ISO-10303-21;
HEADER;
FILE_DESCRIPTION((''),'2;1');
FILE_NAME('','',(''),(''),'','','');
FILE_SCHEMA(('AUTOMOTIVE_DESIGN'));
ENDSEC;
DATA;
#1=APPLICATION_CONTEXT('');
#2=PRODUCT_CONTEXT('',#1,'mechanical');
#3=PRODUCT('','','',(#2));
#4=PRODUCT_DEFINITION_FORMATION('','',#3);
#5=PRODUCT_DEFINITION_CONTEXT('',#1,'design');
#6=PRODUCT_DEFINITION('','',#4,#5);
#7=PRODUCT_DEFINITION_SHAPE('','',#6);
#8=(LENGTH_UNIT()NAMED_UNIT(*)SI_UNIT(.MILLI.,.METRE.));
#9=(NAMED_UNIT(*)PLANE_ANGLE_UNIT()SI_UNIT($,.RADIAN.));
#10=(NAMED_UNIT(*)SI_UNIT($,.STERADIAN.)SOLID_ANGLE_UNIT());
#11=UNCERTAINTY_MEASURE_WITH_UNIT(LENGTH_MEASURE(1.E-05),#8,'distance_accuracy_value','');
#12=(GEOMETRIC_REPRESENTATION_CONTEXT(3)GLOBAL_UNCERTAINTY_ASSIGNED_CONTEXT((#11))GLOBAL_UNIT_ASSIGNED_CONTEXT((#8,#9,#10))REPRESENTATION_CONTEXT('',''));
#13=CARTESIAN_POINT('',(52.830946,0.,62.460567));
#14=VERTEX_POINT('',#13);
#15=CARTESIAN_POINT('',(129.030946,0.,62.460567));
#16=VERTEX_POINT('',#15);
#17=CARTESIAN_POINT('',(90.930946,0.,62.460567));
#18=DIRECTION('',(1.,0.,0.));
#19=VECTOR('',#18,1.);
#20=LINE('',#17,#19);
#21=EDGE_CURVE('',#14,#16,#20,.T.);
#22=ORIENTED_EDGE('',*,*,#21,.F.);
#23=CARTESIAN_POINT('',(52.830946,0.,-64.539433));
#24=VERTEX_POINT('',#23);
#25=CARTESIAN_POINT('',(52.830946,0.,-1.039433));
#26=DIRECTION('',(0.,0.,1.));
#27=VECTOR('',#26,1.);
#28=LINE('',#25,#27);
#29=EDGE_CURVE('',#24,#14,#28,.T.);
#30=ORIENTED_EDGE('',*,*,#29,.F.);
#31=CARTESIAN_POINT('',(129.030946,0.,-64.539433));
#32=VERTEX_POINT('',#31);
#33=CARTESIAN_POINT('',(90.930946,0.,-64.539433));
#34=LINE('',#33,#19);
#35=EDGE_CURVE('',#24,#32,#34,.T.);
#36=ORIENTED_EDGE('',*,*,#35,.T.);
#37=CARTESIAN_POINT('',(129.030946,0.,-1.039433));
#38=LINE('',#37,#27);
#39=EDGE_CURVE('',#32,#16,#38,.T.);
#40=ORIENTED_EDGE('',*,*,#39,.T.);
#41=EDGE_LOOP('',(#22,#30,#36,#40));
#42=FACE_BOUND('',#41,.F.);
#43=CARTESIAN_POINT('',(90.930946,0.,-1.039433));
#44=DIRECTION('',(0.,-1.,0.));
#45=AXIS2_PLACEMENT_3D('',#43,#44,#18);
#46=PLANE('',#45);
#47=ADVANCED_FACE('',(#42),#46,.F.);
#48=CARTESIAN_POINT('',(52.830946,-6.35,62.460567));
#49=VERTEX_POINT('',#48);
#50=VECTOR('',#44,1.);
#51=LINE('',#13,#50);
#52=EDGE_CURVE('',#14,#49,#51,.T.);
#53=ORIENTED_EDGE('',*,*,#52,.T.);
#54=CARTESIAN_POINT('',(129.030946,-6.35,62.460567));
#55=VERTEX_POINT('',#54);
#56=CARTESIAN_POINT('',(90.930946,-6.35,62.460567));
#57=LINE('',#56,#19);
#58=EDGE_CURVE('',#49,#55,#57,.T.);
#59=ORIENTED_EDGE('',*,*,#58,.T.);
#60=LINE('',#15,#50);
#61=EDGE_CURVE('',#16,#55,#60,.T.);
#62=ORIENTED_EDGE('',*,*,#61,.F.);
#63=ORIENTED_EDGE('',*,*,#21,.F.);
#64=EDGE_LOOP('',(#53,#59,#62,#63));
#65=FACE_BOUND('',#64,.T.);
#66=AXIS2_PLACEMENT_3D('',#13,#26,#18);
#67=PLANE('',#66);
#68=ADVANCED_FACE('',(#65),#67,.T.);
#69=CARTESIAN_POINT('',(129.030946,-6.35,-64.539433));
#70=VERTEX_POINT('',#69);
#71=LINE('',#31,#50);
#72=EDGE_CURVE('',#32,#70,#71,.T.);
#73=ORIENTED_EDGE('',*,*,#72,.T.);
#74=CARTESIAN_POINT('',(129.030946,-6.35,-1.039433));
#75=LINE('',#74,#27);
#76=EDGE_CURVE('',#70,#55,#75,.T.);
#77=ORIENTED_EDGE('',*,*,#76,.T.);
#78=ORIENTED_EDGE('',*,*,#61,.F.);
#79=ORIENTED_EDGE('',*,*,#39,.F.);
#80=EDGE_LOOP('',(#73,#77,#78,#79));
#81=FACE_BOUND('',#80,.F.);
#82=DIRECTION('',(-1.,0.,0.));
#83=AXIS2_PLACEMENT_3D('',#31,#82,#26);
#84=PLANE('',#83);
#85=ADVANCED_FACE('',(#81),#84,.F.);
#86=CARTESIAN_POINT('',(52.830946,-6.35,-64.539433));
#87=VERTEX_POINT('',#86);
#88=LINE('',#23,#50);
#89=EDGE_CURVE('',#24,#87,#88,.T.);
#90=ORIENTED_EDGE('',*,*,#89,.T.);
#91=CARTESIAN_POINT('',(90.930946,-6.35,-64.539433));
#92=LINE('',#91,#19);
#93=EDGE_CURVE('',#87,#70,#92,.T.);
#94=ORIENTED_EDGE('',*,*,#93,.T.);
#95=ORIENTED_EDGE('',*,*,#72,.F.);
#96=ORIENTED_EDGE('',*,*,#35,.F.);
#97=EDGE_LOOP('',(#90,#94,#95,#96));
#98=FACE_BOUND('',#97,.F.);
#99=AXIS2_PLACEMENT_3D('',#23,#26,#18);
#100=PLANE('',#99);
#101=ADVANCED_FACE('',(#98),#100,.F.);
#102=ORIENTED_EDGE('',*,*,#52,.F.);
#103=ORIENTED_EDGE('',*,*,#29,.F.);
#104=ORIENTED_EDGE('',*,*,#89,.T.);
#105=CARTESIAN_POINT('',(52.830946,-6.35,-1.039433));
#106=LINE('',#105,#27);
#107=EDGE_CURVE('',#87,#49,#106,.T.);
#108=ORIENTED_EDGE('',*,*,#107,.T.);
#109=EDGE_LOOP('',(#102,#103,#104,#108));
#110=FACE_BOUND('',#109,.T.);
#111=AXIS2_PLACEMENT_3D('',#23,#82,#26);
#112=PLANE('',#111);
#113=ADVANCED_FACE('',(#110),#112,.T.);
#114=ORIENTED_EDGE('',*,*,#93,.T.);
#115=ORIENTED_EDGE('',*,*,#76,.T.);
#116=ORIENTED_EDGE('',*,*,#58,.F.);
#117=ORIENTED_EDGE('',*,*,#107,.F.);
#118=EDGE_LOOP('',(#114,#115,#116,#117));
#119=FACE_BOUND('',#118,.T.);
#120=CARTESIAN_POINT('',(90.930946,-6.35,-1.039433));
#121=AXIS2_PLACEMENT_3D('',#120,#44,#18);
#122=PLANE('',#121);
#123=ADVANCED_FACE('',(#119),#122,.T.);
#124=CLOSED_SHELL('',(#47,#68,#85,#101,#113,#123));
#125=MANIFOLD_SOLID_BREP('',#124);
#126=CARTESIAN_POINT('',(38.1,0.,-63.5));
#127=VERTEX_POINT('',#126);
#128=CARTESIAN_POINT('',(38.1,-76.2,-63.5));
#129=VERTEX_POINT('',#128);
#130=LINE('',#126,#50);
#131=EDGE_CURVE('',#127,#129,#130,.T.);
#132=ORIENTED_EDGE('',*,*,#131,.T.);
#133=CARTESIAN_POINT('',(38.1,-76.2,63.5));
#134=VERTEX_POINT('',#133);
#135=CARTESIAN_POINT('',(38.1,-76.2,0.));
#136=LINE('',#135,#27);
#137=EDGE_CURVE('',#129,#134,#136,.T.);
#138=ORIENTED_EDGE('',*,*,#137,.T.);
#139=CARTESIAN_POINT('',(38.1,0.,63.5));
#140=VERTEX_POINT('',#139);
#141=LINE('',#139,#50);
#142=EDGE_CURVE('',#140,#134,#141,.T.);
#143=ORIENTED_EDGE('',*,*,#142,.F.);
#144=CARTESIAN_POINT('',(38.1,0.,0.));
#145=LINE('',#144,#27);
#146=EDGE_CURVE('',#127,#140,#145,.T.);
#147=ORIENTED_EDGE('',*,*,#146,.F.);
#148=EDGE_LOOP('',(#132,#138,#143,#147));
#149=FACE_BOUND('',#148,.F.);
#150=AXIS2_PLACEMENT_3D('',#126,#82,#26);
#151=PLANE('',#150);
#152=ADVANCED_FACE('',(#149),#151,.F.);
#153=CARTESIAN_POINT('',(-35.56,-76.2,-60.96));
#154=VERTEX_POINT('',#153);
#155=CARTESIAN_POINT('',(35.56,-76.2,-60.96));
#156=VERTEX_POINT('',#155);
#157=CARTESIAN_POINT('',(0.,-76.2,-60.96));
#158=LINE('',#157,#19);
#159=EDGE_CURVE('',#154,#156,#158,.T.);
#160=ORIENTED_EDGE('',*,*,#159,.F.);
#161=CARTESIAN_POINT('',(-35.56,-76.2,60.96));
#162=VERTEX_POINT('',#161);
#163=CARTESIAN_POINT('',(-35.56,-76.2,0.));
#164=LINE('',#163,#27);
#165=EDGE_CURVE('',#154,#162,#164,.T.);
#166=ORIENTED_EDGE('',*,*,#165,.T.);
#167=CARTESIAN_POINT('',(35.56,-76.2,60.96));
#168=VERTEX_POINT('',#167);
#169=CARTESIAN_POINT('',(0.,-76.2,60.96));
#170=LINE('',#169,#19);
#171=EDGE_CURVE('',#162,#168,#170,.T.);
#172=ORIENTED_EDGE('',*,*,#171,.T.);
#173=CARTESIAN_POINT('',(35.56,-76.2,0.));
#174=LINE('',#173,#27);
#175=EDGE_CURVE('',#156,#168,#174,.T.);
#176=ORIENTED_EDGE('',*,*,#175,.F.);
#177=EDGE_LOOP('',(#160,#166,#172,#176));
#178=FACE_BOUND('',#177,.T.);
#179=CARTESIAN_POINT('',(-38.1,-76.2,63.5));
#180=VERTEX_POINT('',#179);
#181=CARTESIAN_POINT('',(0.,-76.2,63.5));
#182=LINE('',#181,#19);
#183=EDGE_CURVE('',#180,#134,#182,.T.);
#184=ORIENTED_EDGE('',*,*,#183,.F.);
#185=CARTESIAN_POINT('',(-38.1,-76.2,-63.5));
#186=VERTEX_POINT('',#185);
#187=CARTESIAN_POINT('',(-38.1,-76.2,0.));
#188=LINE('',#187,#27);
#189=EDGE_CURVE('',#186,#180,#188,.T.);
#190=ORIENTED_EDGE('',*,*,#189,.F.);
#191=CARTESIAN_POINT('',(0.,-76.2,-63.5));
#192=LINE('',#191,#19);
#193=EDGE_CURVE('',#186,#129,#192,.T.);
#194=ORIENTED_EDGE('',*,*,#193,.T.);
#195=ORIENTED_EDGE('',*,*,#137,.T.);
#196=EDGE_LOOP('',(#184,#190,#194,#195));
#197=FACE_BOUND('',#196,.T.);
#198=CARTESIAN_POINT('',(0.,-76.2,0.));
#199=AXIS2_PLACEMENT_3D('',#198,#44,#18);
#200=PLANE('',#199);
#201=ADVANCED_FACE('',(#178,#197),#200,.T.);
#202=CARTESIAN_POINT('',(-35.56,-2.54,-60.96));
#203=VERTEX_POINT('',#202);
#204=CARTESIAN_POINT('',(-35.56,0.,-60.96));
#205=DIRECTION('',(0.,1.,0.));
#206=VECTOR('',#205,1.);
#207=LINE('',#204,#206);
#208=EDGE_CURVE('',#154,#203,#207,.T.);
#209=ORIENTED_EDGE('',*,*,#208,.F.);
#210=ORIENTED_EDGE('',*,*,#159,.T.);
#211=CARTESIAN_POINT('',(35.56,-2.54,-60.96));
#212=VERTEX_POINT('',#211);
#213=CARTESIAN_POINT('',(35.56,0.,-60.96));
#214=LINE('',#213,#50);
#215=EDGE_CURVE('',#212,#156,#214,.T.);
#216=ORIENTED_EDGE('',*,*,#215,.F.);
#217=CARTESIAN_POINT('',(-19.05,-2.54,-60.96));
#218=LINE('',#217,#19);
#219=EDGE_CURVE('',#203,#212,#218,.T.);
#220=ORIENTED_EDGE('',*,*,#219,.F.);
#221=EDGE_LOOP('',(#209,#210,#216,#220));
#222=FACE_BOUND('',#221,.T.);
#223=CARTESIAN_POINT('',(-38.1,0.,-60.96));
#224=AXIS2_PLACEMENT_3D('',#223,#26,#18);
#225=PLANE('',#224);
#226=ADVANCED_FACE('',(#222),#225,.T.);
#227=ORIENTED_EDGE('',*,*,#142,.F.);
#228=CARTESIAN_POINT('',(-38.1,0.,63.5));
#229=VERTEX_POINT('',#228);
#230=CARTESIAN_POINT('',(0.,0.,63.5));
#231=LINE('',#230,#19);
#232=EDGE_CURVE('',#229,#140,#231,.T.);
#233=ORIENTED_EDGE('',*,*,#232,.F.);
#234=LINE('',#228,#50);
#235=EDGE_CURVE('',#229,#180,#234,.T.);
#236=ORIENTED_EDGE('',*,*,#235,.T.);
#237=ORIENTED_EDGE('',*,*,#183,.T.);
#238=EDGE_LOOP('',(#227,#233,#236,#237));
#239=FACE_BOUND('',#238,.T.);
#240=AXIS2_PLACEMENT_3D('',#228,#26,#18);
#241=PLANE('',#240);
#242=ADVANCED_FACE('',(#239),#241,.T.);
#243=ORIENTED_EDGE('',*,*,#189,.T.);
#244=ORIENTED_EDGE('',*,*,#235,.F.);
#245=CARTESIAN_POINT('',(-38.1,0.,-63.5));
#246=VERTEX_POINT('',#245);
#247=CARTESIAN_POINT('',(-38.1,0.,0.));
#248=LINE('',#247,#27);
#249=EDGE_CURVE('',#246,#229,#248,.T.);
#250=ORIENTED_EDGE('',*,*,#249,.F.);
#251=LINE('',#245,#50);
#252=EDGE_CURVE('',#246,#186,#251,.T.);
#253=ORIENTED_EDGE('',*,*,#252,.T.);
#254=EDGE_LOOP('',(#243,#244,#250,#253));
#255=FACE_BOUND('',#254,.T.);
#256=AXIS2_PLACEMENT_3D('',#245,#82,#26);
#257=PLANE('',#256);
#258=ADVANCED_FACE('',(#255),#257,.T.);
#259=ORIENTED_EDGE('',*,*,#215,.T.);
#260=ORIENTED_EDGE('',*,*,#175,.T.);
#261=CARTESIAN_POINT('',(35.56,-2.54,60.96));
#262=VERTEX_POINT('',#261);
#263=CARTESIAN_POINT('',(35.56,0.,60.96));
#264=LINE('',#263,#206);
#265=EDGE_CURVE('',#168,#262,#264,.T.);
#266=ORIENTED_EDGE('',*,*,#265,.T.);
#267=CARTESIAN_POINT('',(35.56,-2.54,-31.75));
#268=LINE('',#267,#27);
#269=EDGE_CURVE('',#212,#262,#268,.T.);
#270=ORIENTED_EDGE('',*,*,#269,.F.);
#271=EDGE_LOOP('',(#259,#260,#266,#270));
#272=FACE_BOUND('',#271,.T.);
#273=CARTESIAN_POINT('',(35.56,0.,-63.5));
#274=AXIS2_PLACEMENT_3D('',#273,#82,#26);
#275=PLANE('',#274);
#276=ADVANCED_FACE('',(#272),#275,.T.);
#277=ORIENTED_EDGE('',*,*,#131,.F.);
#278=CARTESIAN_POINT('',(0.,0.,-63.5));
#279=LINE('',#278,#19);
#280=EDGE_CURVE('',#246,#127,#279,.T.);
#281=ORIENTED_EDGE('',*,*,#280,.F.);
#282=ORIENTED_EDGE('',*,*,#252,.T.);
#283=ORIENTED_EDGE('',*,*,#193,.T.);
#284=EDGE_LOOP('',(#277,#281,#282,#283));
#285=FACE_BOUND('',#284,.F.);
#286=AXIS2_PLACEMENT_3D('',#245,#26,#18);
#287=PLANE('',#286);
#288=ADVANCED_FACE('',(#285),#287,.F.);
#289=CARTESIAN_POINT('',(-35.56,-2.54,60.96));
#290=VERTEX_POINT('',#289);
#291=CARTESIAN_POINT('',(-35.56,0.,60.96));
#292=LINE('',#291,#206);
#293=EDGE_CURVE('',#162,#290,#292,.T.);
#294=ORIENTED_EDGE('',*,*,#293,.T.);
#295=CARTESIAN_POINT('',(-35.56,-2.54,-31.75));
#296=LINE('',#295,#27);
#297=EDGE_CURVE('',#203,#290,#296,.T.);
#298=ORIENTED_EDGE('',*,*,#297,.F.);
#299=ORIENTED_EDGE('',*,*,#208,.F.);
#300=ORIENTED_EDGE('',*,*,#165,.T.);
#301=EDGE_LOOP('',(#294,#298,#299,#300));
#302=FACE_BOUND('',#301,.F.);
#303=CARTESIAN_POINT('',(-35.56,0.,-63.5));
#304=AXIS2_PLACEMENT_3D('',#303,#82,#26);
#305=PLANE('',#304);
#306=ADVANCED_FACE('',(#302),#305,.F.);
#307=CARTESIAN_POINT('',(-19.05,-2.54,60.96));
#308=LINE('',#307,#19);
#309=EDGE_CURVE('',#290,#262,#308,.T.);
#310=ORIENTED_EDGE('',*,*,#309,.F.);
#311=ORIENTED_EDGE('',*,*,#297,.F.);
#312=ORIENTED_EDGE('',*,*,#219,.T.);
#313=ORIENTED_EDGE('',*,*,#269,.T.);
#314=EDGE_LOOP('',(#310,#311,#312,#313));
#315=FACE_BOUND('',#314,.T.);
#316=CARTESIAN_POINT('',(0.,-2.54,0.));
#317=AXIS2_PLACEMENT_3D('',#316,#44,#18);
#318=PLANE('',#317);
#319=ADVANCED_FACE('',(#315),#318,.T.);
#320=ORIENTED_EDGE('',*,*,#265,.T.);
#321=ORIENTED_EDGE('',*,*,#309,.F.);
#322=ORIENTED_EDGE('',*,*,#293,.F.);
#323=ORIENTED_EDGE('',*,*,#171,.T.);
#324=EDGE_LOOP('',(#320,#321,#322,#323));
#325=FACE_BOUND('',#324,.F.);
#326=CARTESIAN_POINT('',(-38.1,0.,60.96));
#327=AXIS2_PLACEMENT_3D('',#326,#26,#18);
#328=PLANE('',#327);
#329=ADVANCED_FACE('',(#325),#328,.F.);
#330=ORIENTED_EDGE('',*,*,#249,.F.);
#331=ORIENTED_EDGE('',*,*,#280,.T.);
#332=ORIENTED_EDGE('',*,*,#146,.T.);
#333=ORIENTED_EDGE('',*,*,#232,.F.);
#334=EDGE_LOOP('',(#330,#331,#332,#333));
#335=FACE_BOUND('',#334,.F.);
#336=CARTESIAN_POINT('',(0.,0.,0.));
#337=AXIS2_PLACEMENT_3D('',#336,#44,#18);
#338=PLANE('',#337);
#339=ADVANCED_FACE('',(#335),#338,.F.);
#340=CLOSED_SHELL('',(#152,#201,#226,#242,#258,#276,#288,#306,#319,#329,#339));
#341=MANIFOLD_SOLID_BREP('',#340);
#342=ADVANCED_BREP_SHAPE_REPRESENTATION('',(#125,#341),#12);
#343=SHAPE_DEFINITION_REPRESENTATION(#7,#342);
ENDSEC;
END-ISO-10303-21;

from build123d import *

# Parameters (mm, degrees)
F0_W     = 76.2
F0_H     = 127
F1_DEPTH = 76.2
F2_DEPTH = 6.35
F3_T     = -2.54


with BuildPart() as f1:
    # F0 (on Front) → F1 (new body)
    with BuildSketch(Plane.XZ):
        Rectangle(F0_W, F0_H)
    extrude(amount=F1_DEPTH)

    # F3
    f3_openings = [f1.faces().sort_by_distance(p)[0] for p in [
        (0, -76.2, 0),
    ]]
    offset(amount=F3_T, openings=f3_openings)


with BuildPart() as f2:
    # F0 (on Front) → F2 (new body)
    with BuildSketch(Plane.XZ):
        with Locations((90.930946, -1.039433)):
            Rectangle(F0_W, F0_H)
    extrude(amount=F2_DEPTH)


solid = Compound([f1.part, f2.part])
